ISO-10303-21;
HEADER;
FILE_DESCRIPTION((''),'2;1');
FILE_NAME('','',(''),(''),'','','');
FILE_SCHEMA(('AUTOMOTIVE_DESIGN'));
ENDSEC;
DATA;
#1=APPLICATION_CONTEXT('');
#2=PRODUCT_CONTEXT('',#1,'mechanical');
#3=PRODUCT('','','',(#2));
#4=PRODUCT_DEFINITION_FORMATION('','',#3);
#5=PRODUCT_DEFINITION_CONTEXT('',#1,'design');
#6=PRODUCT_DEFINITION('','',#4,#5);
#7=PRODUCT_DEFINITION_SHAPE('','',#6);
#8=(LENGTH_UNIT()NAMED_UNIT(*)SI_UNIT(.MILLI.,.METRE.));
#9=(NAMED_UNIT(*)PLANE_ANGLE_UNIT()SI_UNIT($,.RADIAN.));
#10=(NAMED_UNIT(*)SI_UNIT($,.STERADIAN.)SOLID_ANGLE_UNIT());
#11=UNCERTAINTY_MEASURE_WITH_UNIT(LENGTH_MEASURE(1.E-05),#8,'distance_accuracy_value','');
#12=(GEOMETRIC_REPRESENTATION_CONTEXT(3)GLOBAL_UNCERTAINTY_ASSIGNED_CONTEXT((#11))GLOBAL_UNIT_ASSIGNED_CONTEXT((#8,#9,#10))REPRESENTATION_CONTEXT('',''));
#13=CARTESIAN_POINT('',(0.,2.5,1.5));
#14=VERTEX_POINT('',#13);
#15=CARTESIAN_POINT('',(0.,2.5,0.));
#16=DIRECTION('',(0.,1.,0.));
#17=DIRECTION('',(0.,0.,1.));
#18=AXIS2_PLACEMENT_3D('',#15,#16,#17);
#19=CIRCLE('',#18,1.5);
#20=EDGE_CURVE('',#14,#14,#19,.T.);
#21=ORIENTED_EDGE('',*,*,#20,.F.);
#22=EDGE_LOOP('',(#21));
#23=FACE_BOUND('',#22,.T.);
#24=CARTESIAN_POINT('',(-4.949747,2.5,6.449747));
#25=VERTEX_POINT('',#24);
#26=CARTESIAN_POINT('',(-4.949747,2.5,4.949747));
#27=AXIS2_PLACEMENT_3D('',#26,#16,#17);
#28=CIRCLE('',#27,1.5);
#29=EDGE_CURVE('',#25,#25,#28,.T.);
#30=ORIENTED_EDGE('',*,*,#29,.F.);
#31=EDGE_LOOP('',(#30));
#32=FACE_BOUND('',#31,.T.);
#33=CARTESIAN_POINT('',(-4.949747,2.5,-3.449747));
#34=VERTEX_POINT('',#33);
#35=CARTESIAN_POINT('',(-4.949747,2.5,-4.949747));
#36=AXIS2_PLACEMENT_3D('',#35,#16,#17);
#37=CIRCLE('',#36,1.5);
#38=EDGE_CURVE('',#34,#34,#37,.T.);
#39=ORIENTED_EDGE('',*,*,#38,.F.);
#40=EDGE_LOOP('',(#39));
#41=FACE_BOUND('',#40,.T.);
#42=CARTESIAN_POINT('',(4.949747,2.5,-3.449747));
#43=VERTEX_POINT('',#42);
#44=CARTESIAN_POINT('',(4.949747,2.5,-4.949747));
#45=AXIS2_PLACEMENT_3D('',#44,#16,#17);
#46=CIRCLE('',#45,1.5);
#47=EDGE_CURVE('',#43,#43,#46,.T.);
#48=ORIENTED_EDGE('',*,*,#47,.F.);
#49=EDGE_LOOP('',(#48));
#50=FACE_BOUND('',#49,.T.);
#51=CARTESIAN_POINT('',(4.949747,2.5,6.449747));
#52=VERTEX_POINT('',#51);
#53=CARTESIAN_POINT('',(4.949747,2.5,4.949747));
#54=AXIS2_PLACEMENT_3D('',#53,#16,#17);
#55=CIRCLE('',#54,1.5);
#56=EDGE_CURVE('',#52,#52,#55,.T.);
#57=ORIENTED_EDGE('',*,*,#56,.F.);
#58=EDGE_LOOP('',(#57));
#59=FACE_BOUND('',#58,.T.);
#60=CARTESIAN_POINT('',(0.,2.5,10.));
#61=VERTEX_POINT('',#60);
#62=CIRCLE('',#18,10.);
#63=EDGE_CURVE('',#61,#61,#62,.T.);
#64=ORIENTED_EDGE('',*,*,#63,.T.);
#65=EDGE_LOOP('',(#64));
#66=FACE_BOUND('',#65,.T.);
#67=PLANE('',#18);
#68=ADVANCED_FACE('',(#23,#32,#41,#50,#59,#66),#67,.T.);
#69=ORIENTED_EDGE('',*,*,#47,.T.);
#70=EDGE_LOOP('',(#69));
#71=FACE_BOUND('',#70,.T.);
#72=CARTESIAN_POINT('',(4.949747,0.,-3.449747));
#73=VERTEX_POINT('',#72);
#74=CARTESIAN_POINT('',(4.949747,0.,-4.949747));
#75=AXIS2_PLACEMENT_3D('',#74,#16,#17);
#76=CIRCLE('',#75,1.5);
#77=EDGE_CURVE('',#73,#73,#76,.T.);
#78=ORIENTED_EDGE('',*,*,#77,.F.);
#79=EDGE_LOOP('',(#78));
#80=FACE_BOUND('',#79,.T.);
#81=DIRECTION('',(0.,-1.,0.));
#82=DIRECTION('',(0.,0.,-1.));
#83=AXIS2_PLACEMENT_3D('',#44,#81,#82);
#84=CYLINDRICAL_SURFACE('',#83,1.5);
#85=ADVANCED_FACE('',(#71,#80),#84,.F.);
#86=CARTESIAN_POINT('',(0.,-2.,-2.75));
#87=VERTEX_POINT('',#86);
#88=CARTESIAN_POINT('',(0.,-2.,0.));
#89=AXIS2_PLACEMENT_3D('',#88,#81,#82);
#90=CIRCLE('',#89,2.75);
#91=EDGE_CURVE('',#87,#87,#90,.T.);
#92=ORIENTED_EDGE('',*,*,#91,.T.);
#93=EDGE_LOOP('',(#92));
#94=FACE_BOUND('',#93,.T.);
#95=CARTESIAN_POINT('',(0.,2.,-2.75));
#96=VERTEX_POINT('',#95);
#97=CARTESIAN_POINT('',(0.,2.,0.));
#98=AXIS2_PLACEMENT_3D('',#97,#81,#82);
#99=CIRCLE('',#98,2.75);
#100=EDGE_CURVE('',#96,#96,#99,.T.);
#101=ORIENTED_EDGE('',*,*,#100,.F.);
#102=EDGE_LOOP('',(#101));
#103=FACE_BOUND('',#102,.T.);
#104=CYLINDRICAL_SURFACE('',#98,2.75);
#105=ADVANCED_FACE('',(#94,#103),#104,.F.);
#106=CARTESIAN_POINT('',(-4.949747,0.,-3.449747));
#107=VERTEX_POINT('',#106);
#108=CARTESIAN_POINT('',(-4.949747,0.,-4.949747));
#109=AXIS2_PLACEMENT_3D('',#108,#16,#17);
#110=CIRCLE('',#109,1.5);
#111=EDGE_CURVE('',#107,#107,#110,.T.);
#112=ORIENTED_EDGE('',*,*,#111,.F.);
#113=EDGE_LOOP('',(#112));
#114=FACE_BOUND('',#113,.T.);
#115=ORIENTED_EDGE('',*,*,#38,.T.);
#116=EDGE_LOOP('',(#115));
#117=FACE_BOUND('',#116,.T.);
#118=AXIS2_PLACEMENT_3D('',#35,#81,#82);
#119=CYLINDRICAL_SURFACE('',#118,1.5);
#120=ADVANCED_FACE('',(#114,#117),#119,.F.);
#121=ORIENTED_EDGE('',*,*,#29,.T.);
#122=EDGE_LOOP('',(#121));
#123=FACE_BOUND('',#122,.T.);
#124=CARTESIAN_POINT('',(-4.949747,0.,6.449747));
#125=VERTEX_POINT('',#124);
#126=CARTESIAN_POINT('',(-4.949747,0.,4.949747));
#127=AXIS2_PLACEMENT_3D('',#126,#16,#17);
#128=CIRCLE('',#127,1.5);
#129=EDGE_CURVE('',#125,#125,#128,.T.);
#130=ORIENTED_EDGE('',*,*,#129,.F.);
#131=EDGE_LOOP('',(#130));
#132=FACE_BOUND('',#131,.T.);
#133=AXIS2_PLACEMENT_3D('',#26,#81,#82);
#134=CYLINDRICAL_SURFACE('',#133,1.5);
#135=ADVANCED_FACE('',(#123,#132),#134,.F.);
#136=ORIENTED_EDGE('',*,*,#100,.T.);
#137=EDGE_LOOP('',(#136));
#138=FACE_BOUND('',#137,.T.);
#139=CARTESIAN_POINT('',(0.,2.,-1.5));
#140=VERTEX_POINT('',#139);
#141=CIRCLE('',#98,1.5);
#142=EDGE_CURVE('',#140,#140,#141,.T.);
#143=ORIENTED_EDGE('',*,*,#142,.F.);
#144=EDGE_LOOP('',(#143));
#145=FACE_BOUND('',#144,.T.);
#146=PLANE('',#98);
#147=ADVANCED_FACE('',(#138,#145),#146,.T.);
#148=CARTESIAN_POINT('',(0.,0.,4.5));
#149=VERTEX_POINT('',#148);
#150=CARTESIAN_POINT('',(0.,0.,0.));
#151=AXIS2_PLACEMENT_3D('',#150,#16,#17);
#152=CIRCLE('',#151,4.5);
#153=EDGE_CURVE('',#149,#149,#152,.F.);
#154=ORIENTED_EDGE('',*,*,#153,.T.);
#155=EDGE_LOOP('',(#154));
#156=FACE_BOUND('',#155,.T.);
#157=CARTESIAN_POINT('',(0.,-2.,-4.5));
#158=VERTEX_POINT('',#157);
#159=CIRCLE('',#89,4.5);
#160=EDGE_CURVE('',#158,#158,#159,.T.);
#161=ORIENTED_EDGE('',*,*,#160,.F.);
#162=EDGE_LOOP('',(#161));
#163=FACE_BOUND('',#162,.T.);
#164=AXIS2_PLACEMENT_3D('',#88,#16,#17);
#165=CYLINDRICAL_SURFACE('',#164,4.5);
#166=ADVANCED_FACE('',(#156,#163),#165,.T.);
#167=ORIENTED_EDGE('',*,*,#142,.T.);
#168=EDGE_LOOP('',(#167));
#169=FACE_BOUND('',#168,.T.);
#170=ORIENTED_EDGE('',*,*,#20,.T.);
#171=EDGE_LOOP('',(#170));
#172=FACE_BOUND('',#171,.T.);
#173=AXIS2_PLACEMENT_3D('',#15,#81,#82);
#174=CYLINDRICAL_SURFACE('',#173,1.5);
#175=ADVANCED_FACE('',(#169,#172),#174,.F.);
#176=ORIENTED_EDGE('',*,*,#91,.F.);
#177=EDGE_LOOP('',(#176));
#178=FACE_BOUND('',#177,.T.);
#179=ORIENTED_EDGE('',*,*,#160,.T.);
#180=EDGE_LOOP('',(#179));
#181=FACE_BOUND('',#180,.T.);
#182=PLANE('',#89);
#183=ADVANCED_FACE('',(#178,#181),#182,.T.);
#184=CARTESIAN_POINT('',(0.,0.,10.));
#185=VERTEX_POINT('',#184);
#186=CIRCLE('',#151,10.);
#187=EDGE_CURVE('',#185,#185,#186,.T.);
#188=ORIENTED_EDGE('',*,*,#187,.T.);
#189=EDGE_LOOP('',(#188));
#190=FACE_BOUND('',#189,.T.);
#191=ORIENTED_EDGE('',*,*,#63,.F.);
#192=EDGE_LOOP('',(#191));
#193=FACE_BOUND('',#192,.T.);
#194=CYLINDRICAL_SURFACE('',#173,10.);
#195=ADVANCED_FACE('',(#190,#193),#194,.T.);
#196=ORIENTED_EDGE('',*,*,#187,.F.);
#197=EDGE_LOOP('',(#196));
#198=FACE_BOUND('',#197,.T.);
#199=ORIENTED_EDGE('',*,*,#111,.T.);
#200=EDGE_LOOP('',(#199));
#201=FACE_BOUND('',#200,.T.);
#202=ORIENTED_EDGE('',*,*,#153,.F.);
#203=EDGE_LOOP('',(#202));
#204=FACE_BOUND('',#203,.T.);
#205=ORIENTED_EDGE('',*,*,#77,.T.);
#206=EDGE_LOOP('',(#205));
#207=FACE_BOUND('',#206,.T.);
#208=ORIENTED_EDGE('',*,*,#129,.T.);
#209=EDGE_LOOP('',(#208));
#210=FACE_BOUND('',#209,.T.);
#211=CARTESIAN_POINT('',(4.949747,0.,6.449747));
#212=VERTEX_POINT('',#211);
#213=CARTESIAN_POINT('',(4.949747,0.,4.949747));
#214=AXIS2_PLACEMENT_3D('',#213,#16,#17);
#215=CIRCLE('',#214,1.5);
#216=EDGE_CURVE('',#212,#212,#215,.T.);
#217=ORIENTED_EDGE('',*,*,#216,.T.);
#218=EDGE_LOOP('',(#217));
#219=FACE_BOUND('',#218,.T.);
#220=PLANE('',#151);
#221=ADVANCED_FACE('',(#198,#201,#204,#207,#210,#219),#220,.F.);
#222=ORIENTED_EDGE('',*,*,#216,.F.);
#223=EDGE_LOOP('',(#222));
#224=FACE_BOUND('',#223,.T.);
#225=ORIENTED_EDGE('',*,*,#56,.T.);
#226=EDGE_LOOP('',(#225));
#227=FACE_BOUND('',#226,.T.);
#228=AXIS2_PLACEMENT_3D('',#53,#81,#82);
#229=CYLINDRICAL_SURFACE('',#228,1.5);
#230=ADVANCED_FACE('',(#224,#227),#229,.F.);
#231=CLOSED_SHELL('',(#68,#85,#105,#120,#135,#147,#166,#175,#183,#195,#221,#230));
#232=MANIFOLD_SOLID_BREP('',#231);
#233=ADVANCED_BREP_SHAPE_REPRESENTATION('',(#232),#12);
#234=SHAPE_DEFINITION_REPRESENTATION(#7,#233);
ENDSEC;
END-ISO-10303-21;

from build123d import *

# Parameters (mm, degrees)
SKETCH_1_R          = 10
SKETCH_1_R_2        = 1.5
EXTRUDE_1_DEPTH     = 2.5
SKETCH_2_R          = 4.5
EXTRUDE_2_DEPTH     = 2
SKETCH_3_R          = 2.75
CUT_EXTRUDE_1_DEPTH = 4


with BuildPart() as part:
    # 草图1 → 凸台-拉伸1 (new body)
    with BuildSketch(Plane(origin=(0, 0, 0), x_dir=(1, 0, 0), z_dir=(0, 1, 0))):
        with Locations(Location((0, 0, 0), (0, 0, 270))):
            Circle(SKETCH_1_R)
        with Locations(Location((0, 0, 0), (0, 0, 270))):
            Circle(SKETCH_1_R_2, mode=Mode.SUBTRACT)
        with Locations(Location((-4.949747468, 4.949747468, 0), (0, 0, 270))):
            Circle(SKETCH_1_R_2, mode=Mode.SUBTRACT)
        with Locations(Location((4.949747468, 4.949747468, 0), (0, 0, 270))):
            Circle(SKETCH_1_R_2, mode=Mode.SUBTRACT)
        with Locations(Location((4.949747468, -4.949747468, 0), (0, 0, 270))):
            Circle(SKETCH_1_R_2, mode=Mode.SUBTRACT)
        with Locations(Location((-4.949747468, -4.949747468, 0), (0, 0, 270))):
            Circle(SKETCH_1_R_2, mode=Mode.SUBTRACT)
    extrude(amount=EXTRUDE_1_DEPTH)

    # 草图2 → 凸台-拉伸2 (add)
    with BuildSketch(Plane.XZ):
        with Locations(Location((0, 0, 0), (0, 0, 90))):
            Circle(SKETCH_2_R)
    extrude(amount=EXTRUDE_2_DEPTH)

    # 草图3 → 切除-拉伸1 (cut)
    with BuildSketch(Plane.XZ.offset(2)):
        with Locations(Location((0, 0, 0), (0, 0, 270))):
            Circle(SKETCH_3_R)
    extrude(amount=-CUT_EXTRUDE_1_DEPTH, mode=Mode.SUBTRACT)


solid = part.part
